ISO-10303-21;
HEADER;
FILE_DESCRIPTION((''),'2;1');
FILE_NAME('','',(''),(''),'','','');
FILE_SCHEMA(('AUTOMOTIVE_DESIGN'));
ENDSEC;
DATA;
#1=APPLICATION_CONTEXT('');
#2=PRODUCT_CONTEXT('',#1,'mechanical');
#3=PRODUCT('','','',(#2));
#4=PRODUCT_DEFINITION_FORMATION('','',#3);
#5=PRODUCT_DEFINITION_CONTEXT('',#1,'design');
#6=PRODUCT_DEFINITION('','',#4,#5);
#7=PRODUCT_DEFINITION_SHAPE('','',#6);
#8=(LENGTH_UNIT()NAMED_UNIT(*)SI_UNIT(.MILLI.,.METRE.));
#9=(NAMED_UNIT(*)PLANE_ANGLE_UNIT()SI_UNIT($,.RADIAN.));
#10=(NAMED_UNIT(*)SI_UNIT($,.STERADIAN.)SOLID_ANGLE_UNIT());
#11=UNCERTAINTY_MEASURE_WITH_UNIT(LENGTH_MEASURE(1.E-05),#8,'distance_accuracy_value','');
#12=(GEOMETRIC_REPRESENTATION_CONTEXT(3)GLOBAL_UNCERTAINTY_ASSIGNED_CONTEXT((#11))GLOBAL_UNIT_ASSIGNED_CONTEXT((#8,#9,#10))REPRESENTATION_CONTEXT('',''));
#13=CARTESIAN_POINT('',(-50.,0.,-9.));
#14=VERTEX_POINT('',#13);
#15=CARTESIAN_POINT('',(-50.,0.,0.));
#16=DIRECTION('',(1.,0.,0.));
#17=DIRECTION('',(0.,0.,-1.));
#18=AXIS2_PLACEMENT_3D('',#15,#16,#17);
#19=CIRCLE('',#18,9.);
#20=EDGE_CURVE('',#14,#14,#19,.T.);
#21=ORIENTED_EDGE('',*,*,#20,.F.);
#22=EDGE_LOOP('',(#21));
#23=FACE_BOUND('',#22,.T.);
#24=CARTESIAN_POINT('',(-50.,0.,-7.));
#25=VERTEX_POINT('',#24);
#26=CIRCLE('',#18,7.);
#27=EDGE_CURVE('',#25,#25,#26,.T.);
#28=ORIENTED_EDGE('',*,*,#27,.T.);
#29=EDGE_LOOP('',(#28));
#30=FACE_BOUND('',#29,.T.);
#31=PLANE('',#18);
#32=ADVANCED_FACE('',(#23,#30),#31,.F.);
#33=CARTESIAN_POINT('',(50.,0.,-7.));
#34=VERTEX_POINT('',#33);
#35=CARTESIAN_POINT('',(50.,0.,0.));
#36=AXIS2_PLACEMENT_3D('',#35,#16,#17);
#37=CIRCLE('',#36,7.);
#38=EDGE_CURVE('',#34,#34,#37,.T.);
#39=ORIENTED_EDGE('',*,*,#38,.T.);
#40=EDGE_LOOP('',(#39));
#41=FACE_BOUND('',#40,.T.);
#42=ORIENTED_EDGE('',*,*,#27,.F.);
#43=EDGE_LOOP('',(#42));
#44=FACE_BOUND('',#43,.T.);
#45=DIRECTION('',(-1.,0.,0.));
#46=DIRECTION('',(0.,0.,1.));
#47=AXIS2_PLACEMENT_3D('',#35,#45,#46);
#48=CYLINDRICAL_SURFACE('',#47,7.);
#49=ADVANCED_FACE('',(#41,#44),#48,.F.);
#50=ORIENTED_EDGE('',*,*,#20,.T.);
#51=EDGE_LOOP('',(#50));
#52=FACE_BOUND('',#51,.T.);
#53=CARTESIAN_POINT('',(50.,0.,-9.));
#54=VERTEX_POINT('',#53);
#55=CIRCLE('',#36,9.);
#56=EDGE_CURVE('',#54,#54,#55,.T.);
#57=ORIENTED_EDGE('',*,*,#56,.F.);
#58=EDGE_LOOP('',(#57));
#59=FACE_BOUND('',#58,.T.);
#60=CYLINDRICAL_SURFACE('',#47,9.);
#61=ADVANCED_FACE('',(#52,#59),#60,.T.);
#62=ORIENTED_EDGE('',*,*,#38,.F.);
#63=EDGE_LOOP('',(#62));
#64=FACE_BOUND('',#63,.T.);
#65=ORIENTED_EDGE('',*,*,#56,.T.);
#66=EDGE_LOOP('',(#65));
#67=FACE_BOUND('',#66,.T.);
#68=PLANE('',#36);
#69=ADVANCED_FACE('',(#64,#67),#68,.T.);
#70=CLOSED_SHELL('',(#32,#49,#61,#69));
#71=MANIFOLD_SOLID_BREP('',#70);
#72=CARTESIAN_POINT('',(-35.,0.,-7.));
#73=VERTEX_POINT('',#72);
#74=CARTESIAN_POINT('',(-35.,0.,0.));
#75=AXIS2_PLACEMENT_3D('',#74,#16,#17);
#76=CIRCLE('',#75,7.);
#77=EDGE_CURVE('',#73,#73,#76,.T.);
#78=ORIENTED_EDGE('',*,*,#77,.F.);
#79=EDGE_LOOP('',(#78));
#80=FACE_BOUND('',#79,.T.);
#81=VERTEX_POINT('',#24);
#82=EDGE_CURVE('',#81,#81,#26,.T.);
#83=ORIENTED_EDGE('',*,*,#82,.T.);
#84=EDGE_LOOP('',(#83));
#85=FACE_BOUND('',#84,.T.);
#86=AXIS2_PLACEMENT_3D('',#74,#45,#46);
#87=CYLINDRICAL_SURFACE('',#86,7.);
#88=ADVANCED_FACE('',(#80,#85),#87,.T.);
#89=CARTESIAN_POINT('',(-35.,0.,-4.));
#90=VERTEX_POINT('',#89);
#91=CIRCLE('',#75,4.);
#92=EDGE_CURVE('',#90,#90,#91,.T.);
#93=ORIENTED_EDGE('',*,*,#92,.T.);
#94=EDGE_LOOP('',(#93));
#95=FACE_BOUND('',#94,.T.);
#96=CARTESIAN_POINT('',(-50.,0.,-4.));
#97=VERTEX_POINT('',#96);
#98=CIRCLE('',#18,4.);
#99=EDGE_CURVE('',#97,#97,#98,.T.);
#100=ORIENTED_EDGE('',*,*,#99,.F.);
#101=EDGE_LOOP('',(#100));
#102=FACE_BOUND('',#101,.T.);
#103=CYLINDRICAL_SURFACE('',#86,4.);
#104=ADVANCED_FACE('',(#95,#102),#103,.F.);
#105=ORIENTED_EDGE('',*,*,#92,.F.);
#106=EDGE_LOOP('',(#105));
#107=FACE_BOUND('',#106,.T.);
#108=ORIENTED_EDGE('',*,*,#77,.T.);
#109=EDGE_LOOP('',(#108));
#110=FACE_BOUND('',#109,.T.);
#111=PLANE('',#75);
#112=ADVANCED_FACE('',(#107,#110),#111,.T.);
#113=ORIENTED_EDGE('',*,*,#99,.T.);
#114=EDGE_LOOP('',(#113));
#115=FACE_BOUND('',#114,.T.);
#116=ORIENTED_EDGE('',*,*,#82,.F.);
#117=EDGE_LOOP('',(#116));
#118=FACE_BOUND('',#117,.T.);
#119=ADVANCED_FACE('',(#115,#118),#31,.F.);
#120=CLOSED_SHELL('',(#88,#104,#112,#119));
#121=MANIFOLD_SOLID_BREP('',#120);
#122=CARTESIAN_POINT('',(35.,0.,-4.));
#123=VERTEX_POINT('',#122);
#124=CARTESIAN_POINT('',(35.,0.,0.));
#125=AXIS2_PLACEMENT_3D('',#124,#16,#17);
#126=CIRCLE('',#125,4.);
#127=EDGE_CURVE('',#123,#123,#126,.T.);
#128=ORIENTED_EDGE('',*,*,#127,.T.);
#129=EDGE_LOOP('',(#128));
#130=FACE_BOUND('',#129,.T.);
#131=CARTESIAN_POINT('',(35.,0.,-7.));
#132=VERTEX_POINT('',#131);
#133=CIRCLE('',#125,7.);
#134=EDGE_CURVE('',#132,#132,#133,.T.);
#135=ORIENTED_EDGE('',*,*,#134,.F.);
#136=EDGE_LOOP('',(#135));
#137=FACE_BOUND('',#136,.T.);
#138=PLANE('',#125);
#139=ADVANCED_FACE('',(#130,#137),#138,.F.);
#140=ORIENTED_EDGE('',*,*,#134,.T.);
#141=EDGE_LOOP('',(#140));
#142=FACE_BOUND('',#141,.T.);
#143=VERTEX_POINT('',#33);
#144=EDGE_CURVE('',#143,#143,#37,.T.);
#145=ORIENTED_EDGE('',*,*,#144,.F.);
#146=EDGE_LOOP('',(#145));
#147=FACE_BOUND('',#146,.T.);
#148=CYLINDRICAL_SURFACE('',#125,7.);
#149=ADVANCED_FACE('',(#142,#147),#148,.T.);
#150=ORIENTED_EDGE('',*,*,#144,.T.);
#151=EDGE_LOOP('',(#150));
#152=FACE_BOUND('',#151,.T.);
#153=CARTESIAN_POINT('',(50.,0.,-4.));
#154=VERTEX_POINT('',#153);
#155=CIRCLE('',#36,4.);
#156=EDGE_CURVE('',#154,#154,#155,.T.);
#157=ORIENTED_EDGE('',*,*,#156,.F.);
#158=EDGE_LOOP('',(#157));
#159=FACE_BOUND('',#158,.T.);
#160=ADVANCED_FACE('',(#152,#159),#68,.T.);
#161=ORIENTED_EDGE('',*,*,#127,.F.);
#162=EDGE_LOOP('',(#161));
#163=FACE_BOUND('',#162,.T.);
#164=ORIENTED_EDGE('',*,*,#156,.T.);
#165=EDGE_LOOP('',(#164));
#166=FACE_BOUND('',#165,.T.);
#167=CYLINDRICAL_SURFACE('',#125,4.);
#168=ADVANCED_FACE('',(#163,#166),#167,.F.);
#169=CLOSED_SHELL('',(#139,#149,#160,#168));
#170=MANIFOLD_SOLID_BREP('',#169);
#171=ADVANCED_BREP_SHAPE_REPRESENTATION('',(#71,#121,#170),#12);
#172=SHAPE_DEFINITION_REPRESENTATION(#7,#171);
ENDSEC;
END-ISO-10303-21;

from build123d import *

# Parameters (mm, degrees)
SKETCH1_R           = 9
SKETCH1_R_2         = 7
BOSS_EXTRUDE1_DEPTH = 50
SKETCH3_R           = 7
SKETCH3_R_2         = 4
BOSS_EXTRUDE3_DEPTH = 15
BOSS_EXTRUDE4_START = -100
SKETCH3_2_R         = 7
SKETCH3_2_R_2       = 4
BOSS_EXTRUDE4_DEPTH = 15


with BuildPart() as part:
    # Sketch1 → Boss-Extrude1 (new, symmetric)
    with BuildSketch(Plane(origin=(0, 0, 0), x_dir=(0, 0, -1), z_dir=(1, 0, 0))):
        Circle(SKETCH1_R)
        Circle(SKETCH1_R_2, mode=Mode.SUBTRACT)
    extrude(amount=BOSS_EXTRUDE1_DEPTH, both=True)


with BuildPart() as body_2:
    # Sketch3 → Boss-Extrude3 (new body)
    with BuildSketch(Plane(origin=(50, 0, 0), x_dir=(0, 0, -1), z_dir=(1, 0, 0))):
        Circle(SKETCH3_R)
        Circle(SKETCH3_R_2, mode=Mode.SUBTRACT)
    extrude(amount=-BOSS_EXTRUDE3_DEPTH)


with BuildPart() as body_3:
    # Sketch3<2> → Boss-Extrude4 (new body)
    with BuildSketch(Plane(origin=(50, 0, 0), x_dir=(0, 0, -1), z_dir=(1, 0, 0)).offset(BOSS_EXTRUDE4_START)):
        Circle(SKETCH3_2_R)
        Circle(SKETCH3_2_R_2, mode=Mode.SUBTRACT)
    extrude(amount=BOSS_EXTRUDE4_DEPTH)


solid = Compound([part.part, body_2.part, body_3.part])
